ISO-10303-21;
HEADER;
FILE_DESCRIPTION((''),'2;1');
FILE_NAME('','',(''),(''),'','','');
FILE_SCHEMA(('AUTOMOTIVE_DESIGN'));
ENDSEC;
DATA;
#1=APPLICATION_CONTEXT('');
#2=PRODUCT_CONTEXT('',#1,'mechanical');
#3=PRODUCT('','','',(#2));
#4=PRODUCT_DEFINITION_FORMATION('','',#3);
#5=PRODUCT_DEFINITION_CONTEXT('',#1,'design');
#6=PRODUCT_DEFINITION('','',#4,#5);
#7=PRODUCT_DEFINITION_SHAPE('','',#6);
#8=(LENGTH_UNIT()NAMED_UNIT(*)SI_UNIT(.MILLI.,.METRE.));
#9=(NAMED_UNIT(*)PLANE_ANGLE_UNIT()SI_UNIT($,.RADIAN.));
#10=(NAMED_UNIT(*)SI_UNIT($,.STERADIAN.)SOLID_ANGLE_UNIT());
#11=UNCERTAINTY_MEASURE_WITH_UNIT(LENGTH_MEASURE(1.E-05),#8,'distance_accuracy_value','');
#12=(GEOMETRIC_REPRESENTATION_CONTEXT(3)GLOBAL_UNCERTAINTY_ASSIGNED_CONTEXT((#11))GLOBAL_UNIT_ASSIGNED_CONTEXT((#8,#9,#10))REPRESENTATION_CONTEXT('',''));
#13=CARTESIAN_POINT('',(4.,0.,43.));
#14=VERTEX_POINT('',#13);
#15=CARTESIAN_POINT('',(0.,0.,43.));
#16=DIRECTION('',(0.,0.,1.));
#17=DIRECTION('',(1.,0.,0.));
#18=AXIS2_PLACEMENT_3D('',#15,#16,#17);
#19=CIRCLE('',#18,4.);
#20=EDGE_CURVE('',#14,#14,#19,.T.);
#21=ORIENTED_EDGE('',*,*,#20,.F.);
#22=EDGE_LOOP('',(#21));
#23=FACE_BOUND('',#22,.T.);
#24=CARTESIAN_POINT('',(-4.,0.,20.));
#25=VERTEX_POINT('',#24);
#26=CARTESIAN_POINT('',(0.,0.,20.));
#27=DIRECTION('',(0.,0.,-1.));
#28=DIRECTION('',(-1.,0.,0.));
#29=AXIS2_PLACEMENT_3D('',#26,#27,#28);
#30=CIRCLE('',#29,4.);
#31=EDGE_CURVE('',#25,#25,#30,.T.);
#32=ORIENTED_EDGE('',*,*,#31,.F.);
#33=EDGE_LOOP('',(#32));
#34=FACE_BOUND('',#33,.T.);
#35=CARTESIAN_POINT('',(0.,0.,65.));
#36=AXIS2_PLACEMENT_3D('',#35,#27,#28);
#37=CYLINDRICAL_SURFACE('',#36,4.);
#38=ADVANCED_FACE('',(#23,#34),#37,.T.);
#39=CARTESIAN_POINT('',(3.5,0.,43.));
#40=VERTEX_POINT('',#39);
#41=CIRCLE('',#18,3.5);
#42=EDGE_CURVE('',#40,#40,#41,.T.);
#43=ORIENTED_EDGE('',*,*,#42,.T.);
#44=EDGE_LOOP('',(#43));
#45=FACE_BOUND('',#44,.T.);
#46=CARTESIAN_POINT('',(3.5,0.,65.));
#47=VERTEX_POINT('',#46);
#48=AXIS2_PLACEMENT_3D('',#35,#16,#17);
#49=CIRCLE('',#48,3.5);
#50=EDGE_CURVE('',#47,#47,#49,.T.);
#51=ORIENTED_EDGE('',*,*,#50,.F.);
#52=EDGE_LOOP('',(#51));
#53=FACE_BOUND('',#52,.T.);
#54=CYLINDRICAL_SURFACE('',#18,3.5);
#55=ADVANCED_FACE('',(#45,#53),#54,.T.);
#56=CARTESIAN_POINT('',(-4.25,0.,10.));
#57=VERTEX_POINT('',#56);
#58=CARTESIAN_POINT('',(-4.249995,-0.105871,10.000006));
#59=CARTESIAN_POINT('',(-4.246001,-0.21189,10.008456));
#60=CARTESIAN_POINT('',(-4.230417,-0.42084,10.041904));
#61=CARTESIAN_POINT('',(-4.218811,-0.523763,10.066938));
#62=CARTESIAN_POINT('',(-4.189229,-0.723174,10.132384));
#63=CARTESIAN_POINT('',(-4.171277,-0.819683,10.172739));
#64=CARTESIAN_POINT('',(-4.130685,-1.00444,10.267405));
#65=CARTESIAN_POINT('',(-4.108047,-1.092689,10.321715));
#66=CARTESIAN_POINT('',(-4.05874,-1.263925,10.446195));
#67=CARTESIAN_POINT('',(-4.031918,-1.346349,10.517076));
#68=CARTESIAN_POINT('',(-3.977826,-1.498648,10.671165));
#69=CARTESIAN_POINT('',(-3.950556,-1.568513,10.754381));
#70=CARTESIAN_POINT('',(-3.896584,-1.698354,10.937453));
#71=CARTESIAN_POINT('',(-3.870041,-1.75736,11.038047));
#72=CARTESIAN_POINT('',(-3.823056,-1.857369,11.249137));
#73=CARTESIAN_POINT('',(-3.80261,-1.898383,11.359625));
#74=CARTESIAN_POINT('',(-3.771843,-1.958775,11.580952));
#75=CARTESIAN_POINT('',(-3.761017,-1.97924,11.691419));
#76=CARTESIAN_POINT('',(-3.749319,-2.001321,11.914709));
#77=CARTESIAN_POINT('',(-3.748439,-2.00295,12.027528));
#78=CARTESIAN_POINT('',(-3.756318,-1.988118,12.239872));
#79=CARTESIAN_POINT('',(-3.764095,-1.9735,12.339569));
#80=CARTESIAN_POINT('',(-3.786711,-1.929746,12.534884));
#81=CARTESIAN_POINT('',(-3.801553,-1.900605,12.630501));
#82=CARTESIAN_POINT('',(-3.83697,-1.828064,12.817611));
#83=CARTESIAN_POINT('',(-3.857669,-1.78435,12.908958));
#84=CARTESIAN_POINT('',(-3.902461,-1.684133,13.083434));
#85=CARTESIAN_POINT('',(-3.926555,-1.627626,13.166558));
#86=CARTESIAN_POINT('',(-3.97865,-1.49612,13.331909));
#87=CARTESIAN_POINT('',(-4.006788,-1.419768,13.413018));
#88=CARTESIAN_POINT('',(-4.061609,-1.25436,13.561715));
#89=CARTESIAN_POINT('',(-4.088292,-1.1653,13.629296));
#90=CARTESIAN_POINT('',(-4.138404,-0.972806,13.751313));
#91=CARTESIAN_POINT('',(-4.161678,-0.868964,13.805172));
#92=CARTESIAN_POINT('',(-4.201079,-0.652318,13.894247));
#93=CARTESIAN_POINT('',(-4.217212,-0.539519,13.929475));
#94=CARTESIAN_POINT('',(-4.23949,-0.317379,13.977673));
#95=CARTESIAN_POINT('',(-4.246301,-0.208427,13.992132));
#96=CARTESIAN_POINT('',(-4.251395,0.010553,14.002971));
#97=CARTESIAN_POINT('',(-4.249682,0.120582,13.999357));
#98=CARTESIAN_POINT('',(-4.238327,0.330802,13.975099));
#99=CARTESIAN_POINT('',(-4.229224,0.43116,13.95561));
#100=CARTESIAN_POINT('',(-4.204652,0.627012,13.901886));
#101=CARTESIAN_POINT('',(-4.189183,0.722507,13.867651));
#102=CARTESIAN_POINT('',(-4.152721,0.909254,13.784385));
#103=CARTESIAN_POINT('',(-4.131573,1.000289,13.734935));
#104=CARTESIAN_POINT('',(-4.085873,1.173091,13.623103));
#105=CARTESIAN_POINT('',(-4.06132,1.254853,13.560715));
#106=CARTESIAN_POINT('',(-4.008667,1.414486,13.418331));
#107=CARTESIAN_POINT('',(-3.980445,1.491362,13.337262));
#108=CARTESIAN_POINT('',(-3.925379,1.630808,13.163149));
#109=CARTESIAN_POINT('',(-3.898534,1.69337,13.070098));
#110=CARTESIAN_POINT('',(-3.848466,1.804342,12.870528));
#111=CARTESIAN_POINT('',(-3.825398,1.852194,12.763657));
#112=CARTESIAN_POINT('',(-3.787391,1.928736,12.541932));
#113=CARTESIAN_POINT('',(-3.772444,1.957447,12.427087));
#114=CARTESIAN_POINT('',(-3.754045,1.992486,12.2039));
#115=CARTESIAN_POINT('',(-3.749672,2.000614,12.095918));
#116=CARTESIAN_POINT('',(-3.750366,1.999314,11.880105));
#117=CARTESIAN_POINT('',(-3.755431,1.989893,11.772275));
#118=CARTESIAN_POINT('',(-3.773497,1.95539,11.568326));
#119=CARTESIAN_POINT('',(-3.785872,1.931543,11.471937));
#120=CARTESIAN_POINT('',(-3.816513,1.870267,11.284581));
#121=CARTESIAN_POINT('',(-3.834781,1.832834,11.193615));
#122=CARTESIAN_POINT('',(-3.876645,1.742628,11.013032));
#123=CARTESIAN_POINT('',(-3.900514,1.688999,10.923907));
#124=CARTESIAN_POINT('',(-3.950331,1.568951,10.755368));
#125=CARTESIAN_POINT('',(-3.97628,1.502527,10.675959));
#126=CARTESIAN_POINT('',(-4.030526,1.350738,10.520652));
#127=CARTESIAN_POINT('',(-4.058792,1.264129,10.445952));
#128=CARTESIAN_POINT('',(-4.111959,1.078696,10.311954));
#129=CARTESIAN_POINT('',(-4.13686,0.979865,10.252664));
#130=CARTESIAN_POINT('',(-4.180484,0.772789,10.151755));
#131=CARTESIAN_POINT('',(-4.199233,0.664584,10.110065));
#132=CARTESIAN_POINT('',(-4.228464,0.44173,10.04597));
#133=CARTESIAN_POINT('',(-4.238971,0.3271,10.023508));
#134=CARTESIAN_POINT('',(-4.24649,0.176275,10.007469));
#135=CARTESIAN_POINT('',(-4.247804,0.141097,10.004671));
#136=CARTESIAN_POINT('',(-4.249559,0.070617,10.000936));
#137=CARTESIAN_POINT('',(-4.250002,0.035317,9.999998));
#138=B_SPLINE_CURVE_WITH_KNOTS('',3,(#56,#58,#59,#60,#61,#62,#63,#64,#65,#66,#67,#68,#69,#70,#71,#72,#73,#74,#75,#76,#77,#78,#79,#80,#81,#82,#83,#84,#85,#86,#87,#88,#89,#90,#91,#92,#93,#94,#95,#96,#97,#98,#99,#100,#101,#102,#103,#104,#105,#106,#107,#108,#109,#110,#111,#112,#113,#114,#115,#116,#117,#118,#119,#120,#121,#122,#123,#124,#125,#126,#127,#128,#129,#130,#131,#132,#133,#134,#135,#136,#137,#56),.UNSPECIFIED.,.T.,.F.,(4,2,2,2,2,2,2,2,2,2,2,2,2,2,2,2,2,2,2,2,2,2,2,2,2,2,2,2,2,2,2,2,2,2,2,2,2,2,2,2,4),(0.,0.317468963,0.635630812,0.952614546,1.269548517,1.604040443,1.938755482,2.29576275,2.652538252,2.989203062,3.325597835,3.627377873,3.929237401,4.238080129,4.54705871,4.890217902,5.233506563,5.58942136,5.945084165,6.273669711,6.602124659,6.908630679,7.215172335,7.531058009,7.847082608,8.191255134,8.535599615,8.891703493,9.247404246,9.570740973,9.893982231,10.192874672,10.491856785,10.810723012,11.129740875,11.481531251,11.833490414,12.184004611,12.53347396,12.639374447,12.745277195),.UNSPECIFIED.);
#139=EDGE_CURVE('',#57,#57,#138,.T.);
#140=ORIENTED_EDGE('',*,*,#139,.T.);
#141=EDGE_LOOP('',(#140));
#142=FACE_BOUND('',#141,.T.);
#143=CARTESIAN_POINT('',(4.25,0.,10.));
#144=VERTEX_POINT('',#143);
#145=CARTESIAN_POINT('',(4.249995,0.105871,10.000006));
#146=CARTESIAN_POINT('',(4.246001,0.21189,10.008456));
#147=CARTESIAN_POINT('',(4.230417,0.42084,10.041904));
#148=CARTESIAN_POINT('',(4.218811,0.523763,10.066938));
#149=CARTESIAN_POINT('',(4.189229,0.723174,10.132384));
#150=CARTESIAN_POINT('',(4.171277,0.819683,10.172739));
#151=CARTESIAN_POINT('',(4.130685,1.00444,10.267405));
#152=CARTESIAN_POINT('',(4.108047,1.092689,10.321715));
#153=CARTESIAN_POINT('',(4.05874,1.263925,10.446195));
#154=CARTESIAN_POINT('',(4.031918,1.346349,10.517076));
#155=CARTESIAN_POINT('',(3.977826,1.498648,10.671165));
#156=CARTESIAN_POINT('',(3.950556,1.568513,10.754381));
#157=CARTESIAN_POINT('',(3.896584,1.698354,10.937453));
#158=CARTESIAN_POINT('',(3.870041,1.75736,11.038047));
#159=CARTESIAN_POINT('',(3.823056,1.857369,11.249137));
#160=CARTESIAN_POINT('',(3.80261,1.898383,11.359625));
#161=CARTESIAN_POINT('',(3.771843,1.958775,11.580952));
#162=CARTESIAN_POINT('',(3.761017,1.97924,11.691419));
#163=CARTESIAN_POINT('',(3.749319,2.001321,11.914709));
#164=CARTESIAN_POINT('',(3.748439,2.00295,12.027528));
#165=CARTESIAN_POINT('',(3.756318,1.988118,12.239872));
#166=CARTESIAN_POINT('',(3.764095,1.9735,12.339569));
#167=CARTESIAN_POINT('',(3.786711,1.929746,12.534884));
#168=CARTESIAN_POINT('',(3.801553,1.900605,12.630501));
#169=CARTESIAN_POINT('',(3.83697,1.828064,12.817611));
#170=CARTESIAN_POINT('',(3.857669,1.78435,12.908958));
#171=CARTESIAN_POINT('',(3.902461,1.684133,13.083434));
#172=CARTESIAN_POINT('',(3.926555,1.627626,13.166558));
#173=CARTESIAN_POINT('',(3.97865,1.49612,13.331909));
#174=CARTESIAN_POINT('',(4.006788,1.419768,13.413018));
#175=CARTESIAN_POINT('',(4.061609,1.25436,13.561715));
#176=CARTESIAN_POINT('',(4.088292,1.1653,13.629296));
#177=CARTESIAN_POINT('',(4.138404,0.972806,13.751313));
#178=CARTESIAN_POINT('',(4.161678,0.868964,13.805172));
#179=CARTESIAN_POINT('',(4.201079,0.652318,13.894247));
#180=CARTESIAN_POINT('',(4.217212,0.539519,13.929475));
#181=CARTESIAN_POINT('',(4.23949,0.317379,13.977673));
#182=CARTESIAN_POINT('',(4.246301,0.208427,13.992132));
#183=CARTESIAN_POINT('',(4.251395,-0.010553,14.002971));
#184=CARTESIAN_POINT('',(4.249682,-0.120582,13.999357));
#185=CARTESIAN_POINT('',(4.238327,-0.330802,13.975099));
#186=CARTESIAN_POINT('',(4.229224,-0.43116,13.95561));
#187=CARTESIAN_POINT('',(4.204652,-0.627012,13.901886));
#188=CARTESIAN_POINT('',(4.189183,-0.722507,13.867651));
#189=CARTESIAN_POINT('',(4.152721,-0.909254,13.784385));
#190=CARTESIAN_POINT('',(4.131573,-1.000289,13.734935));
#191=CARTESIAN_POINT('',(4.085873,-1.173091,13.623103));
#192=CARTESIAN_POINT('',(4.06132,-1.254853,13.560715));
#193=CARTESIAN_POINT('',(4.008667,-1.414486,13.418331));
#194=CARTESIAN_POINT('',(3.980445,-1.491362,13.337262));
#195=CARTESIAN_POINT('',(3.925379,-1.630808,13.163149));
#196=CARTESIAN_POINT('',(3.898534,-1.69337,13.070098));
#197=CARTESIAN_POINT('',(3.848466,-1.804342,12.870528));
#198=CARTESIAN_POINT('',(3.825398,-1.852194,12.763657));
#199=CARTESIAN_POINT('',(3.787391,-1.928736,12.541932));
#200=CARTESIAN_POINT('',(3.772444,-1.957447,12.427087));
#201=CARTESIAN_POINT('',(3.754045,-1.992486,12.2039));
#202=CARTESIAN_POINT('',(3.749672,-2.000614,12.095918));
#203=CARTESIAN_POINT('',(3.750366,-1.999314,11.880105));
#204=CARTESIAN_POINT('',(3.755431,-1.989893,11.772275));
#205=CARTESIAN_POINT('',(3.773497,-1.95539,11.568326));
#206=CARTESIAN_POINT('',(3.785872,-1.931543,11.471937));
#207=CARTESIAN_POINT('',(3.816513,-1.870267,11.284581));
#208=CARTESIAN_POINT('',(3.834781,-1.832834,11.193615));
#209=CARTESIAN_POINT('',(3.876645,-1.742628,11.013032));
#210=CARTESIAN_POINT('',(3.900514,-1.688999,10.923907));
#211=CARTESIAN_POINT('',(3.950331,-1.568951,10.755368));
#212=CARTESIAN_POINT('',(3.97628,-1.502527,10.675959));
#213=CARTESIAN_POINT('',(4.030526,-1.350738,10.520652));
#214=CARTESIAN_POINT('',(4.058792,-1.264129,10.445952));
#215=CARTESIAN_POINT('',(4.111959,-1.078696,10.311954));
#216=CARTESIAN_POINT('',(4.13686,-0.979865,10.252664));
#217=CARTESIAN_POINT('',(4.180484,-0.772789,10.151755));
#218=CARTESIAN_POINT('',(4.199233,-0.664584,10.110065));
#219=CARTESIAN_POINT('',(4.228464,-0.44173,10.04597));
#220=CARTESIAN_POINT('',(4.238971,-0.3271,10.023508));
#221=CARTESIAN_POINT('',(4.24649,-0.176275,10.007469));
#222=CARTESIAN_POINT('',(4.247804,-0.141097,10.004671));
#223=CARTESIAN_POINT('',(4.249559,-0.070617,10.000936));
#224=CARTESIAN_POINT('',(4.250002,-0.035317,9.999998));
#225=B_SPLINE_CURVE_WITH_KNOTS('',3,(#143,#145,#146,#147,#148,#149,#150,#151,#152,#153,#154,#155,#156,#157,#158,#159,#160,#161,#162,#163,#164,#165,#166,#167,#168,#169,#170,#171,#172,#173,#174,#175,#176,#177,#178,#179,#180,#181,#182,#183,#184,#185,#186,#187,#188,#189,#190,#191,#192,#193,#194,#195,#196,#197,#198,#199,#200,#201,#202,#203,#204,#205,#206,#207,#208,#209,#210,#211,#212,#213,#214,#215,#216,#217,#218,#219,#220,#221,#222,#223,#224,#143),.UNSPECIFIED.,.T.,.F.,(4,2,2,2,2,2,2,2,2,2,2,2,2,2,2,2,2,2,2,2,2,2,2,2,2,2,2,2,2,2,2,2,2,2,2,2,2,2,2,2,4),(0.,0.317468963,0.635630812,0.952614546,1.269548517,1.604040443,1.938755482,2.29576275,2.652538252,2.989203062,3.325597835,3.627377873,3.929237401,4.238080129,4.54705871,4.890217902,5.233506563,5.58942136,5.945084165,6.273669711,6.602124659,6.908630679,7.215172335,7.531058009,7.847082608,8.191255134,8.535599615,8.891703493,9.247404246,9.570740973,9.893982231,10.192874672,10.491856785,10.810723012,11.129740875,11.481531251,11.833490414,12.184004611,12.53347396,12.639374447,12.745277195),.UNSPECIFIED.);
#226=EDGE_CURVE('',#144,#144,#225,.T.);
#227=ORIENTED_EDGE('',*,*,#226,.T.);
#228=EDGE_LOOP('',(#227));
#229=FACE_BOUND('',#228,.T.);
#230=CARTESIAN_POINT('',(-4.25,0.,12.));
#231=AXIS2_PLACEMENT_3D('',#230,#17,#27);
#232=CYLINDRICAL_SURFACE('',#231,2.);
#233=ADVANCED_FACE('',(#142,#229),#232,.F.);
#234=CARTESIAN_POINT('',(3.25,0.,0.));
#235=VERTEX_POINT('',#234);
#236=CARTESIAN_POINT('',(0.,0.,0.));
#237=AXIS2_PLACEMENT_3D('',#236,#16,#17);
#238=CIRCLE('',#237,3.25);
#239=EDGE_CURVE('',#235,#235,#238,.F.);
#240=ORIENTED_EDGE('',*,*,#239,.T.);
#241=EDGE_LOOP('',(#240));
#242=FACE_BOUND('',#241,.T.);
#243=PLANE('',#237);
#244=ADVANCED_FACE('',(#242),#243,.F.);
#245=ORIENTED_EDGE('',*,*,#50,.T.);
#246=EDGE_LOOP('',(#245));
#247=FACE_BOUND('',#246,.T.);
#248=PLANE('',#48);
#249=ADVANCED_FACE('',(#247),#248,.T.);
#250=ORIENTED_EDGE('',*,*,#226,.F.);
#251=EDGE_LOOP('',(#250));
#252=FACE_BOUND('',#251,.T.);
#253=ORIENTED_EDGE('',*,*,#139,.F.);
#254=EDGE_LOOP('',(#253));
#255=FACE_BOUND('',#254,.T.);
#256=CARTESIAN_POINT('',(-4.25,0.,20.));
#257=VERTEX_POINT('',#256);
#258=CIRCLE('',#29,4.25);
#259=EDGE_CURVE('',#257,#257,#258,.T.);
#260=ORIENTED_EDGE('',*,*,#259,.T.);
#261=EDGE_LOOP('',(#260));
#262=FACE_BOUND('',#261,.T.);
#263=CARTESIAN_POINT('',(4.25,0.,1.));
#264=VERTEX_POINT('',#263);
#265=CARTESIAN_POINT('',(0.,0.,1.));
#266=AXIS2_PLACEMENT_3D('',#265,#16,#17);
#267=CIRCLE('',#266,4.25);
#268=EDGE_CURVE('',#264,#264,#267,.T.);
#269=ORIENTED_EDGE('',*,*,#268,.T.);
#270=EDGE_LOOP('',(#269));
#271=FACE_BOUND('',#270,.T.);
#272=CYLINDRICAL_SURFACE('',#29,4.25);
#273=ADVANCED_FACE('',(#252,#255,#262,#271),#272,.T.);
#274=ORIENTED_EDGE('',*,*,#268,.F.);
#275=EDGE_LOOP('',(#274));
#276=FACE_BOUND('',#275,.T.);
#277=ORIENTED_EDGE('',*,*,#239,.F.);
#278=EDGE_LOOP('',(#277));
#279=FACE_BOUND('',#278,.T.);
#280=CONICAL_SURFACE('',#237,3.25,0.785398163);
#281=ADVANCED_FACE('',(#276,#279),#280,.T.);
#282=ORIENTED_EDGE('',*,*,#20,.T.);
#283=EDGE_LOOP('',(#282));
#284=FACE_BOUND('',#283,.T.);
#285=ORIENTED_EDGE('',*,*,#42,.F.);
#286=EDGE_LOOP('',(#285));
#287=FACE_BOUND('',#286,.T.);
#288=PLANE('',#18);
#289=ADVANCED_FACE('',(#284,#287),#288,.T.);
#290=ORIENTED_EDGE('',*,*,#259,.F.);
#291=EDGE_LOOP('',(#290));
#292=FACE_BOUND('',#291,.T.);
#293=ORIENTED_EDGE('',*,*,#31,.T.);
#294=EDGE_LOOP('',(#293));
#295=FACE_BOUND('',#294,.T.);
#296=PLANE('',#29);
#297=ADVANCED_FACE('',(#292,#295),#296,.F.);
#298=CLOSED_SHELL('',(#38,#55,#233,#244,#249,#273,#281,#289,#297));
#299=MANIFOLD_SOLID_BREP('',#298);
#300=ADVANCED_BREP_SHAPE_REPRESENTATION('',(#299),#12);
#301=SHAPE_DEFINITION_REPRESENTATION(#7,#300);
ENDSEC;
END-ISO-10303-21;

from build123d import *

# Parameters (mm, degrees)
SKIZZE1_R                            = 4
AUFSATZ_LINEAR_AUSTRAGEN1_DEPTH      = 65
SKIZZE2_R                            = 4.25
AUFSATZ_LINEAR_AUSTRAGEN2_DEPTH      = 20
SKIZZE3_R                            = 2
SCHNITT_LINEAR_AUSTRAGEN1_DEPTH      = 5.25
SCHNITT_LINEAR_AUSTRAGEN1_DEPTH_BACK = 5.25
FASE1_SIZE                           = 1
SKIZZE4_R                            = 4
SKIZZE4_R_2                          = 3.5
SCHNITT_LINEAR_AUSTRAGEN2_DEPTH      = 22


with BuildPart() as part:
    # Skizze1 → Aufsatz-Linear austragen1 (new body)
    with BuildSketch(Plane.XY):
        Circle(SKIZZE1_R)
    extrude(amount=AUFSATZ_LINEAR_AUSTRAGEN1_DEPTH)

    # Skizze2 → Aufsatz-Linear austragen2 (add)
    with BuildSketch(Plane(origin=(0, 0, 0), x_dir=(-1, 0, 0), z_dir=(0, 0, -1))):
        Circle(SKIZZE2_R)
    extrude(amount=-AUFSATZ_LINEAR_AUSTRAGEN2_DEPTH)

    # Skizze3 → Schnitt-Linear austragen1 (cut, two sides)
    with BuildSketch(Plane(origin=(0, 0, 0), x_dir=(0, 0, -1), z_dir=(1, 0, 0))) as schnitt_linear_austragen1_sk:
        with Locations((-12, 0)):
            Circle(SKIZZE3_R)
    extrude(amount=SCHNITT_LINEAR_AUSTRAGEN1_DEPTH, mode=Mode.SUBTRACT)
    extrude(schnitt_linear_austragen1_sk.sketch, amount=-SCHNITT_LINEAR_AUSTRAGEN1_DEPTH_BACK, mode=Mode.SUBTRACT)

    # Fase1
    fase1_edges = [part.edges().sort_by_distance(p)[0] for p in [
        (4.25, 0, 0),
    ]]
    chamfer(fase1_edges, length=FASE1_SIZE)

    # Skizze4 → Schnitt-Linear austragen2 (cut)
    with BuildSketch(Plane.XY.offset(65)):
        Circle(SKIZZE4_R)
        Circle(SKIZZE4_R_2, mode=Mode.SUBTRACT)
    extrude(amount=-SCHNITT_LINEAR_AUSTRAGEN2_DEPTH, mode=Mode.SUBTRACT)


solid = part.part
